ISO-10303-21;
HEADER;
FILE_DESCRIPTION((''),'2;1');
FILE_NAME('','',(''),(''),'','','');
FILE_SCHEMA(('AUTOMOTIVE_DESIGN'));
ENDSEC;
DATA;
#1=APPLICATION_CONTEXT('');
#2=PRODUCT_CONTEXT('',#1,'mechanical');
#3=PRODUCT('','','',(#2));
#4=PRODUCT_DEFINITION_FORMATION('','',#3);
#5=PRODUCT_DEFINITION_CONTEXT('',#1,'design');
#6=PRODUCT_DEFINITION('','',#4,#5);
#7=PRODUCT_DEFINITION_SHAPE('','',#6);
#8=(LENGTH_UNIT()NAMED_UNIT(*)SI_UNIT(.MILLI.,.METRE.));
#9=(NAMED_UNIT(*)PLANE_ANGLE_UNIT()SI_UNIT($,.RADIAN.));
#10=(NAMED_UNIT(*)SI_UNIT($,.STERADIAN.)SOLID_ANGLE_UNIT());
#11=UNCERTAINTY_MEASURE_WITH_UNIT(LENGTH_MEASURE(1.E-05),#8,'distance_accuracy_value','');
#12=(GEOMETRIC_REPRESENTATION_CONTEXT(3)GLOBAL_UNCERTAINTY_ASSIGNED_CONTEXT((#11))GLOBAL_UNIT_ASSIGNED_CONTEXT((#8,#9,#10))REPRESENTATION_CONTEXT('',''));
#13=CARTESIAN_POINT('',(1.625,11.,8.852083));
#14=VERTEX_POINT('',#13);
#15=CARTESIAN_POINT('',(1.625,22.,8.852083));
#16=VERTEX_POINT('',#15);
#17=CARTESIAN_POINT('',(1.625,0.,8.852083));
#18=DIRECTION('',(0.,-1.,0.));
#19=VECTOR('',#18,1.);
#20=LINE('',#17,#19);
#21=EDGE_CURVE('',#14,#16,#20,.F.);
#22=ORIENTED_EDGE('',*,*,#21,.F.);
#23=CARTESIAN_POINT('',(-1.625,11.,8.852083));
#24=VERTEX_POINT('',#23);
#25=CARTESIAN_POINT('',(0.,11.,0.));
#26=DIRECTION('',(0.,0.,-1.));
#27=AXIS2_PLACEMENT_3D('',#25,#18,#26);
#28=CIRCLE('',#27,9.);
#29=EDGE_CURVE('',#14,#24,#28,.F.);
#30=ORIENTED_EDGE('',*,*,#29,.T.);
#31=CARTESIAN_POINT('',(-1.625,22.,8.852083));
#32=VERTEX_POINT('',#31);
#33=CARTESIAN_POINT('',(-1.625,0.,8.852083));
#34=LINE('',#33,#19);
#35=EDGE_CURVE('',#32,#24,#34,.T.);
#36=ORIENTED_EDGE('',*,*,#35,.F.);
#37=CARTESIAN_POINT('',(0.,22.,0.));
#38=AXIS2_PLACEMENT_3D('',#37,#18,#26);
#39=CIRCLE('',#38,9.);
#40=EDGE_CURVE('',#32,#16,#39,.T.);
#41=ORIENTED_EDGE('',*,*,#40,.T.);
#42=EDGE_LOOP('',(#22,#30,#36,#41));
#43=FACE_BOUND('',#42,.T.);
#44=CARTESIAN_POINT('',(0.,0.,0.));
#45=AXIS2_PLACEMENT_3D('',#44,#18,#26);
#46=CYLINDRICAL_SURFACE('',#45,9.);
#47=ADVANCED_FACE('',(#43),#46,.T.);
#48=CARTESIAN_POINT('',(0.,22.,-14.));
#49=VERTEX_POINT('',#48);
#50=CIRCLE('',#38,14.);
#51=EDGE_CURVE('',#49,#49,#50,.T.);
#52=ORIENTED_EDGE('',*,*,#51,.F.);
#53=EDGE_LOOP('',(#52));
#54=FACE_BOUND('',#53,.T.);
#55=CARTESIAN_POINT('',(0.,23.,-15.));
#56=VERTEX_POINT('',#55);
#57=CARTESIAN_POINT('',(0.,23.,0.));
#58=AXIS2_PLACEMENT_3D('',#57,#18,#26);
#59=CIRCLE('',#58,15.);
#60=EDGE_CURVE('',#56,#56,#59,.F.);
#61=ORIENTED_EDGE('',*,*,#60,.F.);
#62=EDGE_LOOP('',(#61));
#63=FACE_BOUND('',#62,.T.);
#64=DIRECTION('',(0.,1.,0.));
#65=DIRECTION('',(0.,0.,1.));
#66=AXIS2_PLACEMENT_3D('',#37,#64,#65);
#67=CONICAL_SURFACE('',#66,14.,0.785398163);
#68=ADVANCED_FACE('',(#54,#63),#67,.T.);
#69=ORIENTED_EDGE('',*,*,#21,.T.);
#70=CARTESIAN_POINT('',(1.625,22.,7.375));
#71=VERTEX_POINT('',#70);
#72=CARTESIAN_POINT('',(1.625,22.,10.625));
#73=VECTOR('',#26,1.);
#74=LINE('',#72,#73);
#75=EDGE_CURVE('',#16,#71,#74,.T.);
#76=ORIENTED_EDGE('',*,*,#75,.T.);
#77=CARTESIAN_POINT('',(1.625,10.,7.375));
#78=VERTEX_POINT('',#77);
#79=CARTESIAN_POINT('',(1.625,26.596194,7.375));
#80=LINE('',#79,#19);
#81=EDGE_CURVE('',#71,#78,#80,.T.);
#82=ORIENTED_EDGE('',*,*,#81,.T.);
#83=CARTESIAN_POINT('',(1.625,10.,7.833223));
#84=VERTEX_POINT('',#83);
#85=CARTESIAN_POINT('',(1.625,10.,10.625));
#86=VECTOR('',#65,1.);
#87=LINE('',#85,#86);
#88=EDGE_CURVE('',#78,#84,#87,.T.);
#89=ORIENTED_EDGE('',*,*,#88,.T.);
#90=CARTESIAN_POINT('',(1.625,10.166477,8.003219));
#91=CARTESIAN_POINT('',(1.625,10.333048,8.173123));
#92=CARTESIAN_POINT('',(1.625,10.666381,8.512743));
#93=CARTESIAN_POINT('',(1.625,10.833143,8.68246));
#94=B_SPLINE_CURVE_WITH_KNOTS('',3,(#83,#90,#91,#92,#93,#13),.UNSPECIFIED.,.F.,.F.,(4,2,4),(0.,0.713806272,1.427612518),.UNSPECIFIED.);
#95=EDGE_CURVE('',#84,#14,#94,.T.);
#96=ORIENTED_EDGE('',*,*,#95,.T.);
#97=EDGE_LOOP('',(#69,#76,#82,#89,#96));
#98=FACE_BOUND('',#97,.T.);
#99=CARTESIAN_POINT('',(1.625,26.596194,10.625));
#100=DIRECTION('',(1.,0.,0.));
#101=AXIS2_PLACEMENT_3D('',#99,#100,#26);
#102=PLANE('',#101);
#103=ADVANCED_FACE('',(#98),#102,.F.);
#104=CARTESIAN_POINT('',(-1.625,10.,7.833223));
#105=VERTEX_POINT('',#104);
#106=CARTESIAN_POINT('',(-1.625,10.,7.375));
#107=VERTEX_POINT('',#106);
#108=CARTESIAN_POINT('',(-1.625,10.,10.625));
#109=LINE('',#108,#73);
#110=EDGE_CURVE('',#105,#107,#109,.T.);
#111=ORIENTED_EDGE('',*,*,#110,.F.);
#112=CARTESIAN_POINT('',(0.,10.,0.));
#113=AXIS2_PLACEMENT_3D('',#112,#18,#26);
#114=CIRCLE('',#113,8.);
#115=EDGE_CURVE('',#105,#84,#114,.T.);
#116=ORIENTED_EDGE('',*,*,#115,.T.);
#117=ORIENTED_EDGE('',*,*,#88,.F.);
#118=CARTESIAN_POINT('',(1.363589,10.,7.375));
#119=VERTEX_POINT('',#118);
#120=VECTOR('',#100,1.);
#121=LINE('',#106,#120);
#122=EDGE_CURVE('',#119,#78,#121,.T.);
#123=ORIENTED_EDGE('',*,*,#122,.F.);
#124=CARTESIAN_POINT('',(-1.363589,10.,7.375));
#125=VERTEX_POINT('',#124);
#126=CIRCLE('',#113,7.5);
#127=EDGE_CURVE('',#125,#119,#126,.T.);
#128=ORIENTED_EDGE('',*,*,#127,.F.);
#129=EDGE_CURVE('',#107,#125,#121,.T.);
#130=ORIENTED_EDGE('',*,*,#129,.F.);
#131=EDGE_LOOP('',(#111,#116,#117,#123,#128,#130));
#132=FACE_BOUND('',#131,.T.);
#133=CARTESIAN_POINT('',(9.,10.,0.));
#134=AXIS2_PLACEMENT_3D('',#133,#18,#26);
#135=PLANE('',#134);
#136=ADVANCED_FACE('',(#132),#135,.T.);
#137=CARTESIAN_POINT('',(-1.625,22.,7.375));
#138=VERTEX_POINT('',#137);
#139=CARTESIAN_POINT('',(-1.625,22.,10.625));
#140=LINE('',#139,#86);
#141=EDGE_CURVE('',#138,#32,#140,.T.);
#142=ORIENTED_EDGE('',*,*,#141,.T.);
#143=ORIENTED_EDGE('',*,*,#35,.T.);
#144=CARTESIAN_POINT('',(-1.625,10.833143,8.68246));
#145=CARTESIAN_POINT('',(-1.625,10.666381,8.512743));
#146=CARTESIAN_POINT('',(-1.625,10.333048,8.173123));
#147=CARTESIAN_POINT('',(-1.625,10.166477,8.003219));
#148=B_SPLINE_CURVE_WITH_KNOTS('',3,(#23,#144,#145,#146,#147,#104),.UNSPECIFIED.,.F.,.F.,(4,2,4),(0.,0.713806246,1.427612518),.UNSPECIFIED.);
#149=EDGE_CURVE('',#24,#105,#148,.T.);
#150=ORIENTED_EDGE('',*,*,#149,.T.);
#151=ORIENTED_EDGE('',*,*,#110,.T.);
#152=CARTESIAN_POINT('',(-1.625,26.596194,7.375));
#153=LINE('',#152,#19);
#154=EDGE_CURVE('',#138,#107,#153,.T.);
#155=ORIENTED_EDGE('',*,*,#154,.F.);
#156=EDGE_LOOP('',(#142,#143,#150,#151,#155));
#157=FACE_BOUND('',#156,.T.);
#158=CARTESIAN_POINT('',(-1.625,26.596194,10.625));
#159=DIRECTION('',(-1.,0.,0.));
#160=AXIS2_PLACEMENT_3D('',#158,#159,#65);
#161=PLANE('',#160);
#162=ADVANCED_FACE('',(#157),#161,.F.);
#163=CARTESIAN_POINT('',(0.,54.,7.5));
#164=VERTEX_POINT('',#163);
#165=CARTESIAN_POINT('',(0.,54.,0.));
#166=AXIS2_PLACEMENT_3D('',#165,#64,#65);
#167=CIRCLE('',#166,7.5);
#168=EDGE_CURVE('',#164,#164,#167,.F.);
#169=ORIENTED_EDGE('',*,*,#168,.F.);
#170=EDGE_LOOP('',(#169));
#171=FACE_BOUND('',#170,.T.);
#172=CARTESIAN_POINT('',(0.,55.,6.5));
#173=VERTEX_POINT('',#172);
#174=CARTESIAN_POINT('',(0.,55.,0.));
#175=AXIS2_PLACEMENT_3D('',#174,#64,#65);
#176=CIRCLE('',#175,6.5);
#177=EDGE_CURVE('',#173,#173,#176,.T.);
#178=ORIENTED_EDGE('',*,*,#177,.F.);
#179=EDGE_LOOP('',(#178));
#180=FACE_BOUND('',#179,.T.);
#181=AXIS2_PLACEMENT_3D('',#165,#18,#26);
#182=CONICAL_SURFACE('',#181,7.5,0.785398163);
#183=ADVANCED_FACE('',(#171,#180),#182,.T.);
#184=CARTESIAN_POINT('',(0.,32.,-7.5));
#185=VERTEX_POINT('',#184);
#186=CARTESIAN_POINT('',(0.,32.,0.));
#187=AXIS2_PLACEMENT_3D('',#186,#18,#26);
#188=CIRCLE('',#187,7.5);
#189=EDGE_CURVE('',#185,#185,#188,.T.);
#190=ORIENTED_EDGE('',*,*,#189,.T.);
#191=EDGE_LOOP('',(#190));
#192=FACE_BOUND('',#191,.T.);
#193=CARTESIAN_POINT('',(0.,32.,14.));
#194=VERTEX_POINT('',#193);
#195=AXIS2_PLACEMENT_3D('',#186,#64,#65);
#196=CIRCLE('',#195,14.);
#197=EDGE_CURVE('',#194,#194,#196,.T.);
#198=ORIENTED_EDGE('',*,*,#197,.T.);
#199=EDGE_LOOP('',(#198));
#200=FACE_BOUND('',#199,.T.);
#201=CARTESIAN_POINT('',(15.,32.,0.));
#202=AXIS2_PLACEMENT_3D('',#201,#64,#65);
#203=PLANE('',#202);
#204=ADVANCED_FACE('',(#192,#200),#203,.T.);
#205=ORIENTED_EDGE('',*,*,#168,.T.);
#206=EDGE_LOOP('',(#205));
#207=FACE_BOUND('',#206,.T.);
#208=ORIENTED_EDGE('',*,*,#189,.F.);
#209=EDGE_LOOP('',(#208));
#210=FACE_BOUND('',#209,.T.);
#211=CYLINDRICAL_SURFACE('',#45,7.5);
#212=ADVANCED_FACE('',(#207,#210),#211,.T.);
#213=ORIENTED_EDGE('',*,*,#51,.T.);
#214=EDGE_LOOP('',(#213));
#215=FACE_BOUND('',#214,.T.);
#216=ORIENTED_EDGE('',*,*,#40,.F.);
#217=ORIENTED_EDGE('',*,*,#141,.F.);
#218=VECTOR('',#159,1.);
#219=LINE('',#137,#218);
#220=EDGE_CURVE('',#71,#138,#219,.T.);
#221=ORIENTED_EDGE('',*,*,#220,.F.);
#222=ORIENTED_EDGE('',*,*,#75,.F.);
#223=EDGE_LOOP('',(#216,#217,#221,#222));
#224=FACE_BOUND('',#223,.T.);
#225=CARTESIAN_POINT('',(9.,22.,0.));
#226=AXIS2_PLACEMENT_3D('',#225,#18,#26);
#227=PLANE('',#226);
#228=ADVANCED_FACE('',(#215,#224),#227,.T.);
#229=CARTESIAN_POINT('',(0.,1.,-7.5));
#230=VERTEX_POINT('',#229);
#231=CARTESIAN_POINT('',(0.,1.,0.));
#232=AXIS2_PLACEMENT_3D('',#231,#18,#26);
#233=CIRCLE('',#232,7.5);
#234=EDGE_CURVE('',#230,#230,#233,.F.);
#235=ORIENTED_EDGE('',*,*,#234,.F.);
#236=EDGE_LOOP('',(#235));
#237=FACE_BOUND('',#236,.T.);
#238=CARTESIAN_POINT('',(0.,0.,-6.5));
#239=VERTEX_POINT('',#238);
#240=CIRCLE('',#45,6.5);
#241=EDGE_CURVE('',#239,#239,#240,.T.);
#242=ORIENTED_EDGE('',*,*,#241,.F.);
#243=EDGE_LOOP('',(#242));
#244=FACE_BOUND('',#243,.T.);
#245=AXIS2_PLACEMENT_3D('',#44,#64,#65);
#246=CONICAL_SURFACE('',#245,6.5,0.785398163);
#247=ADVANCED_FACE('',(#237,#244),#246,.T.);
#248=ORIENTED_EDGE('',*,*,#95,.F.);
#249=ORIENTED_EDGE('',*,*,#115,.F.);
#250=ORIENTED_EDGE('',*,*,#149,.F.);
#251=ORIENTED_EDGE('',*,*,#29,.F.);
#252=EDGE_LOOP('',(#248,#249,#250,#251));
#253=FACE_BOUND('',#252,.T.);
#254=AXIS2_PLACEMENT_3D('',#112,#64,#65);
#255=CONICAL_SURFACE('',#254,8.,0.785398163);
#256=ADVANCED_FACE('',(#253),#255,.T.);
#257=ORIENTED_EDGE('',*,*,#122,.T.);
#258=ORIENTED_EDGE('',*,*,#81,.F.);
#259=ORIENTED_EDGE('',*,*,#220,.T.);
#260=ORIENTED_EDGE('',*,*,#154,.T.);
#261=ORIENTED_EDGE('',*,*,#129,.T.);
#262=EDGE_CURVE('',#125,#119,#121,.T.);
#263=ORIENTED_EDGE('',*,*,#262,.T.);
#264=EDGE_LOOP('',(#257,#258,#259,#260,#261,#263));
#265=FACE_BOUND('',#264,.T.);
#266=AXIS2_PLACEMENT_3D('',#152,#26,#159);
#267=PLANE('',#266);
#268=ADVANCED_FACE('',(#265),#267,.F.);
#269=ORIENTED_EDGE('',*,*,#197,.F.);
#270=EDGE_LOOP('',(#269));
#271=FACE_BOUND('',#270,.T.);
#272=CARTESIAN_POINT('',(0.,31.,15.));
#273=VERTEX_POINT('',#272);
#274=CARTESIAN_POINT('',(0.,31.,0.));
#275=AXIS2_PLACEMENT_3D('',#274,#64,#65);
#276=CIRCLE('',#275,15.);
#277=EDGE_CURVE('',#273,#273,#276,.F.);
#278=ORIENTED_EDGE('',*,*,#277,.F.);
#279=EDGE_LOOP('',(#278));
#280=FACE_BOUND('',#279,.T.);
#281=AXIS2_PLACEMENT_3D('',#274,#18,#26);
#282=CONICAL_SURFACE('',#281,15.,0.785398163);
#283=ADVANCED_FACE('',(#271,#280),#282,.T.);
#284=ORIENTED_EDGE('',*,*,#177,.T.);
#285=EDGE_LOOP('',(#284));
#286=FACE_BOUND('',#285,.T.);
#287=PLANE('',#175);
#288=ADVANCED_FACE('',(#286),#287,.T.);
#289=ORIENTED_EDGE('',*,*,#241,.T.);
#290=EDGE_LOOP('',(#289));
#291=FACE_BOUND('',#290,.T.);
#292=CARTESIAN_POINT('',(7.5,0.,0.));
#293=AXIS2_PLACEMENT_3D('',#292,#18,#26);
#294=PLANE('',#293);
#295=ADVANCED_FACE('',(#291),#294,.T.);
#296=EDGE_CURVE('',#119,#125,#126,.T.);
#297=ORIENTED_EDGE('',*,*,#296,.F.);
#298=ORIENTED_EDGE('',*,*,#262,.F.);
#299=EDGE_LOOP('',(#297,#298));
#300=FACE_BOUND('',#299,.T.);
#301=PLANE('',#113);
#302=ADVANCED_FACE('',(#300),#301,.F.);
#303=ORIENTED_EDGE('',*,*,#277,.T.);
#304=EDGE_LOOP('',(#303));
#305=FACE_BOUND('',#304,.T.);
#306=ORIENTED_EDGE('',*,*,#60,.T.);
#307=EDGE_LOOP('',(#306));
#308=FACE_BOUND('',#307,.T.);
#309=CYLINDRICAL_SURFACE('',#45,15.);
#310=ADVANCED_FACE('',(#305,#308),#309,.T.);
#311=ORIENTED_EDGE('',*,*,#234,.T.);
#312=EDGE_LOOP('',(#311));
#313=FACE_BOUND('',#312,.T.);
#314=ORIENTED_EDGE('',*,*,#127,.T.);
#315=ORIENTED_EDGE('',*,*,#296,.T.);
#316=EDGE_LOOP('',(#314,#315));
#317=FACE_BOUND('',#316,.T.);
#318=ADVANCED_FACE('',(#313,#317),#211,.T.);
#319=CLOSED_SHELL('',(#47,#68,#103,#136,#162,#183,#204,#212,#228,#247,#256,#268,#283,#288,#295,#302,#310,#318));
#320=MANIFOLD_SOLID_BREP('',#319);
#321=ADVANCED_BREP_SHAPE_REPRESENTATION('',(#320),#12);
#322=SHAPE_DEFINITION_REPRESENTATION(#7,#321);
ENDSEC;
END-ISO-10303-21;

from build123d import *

# Parameters (mm, degrees)
SKETCH2_W          = 3.25
SKETCH2_H          = 3.25
CUT_EXTRUDE1_DEPTH = 12
CHAMFER1_SIZE      = 1


with BuildPart() as part:
    # Sketch1 → Revolve1 (revolve)
    with BuildSketch(Plane.XY, mode=Mode.PRIVATE) as revolve1_sk:
        Polygon((0, 0), (0, 55), (7.5, 55), (7.5, 32), (15, 32), (15, 22), (9, 22), (9, 10), (7.5, 10), (7.5, 0), align=None)
    revolve(revolve1_sk.sketch.rotate(Axis((0, 0, 0), (0, 1, 0)), 90), axis=Axis((0, 0, 0), (0, 1, 0)))

    # Sketch2 → Cut-Extrude1 (cut)
    with BuildSketch(Plane.XZ.offset(-10)):
        with Locations((0, 9)):
            Rectangle(SKETCH2_W, SKETCH2_H)
    extrude(amount=-CUT_EXTRUDE1_DEPTH, mode=Mode.SUBTRACT)

    # Chamfer1
    chamfer1_edges = [part.edges().sort_by_distance(p)[0] for p in [
        (0, 55, 7.5),
        (0, 10, -9),
        (0, 0, 7.5),
        (0, 22, 15),
        (0, 32, 15),
    ]]
    chamfer(chamfer1_edges, length=CHAMFER1_SIZE)


solid = part.part
